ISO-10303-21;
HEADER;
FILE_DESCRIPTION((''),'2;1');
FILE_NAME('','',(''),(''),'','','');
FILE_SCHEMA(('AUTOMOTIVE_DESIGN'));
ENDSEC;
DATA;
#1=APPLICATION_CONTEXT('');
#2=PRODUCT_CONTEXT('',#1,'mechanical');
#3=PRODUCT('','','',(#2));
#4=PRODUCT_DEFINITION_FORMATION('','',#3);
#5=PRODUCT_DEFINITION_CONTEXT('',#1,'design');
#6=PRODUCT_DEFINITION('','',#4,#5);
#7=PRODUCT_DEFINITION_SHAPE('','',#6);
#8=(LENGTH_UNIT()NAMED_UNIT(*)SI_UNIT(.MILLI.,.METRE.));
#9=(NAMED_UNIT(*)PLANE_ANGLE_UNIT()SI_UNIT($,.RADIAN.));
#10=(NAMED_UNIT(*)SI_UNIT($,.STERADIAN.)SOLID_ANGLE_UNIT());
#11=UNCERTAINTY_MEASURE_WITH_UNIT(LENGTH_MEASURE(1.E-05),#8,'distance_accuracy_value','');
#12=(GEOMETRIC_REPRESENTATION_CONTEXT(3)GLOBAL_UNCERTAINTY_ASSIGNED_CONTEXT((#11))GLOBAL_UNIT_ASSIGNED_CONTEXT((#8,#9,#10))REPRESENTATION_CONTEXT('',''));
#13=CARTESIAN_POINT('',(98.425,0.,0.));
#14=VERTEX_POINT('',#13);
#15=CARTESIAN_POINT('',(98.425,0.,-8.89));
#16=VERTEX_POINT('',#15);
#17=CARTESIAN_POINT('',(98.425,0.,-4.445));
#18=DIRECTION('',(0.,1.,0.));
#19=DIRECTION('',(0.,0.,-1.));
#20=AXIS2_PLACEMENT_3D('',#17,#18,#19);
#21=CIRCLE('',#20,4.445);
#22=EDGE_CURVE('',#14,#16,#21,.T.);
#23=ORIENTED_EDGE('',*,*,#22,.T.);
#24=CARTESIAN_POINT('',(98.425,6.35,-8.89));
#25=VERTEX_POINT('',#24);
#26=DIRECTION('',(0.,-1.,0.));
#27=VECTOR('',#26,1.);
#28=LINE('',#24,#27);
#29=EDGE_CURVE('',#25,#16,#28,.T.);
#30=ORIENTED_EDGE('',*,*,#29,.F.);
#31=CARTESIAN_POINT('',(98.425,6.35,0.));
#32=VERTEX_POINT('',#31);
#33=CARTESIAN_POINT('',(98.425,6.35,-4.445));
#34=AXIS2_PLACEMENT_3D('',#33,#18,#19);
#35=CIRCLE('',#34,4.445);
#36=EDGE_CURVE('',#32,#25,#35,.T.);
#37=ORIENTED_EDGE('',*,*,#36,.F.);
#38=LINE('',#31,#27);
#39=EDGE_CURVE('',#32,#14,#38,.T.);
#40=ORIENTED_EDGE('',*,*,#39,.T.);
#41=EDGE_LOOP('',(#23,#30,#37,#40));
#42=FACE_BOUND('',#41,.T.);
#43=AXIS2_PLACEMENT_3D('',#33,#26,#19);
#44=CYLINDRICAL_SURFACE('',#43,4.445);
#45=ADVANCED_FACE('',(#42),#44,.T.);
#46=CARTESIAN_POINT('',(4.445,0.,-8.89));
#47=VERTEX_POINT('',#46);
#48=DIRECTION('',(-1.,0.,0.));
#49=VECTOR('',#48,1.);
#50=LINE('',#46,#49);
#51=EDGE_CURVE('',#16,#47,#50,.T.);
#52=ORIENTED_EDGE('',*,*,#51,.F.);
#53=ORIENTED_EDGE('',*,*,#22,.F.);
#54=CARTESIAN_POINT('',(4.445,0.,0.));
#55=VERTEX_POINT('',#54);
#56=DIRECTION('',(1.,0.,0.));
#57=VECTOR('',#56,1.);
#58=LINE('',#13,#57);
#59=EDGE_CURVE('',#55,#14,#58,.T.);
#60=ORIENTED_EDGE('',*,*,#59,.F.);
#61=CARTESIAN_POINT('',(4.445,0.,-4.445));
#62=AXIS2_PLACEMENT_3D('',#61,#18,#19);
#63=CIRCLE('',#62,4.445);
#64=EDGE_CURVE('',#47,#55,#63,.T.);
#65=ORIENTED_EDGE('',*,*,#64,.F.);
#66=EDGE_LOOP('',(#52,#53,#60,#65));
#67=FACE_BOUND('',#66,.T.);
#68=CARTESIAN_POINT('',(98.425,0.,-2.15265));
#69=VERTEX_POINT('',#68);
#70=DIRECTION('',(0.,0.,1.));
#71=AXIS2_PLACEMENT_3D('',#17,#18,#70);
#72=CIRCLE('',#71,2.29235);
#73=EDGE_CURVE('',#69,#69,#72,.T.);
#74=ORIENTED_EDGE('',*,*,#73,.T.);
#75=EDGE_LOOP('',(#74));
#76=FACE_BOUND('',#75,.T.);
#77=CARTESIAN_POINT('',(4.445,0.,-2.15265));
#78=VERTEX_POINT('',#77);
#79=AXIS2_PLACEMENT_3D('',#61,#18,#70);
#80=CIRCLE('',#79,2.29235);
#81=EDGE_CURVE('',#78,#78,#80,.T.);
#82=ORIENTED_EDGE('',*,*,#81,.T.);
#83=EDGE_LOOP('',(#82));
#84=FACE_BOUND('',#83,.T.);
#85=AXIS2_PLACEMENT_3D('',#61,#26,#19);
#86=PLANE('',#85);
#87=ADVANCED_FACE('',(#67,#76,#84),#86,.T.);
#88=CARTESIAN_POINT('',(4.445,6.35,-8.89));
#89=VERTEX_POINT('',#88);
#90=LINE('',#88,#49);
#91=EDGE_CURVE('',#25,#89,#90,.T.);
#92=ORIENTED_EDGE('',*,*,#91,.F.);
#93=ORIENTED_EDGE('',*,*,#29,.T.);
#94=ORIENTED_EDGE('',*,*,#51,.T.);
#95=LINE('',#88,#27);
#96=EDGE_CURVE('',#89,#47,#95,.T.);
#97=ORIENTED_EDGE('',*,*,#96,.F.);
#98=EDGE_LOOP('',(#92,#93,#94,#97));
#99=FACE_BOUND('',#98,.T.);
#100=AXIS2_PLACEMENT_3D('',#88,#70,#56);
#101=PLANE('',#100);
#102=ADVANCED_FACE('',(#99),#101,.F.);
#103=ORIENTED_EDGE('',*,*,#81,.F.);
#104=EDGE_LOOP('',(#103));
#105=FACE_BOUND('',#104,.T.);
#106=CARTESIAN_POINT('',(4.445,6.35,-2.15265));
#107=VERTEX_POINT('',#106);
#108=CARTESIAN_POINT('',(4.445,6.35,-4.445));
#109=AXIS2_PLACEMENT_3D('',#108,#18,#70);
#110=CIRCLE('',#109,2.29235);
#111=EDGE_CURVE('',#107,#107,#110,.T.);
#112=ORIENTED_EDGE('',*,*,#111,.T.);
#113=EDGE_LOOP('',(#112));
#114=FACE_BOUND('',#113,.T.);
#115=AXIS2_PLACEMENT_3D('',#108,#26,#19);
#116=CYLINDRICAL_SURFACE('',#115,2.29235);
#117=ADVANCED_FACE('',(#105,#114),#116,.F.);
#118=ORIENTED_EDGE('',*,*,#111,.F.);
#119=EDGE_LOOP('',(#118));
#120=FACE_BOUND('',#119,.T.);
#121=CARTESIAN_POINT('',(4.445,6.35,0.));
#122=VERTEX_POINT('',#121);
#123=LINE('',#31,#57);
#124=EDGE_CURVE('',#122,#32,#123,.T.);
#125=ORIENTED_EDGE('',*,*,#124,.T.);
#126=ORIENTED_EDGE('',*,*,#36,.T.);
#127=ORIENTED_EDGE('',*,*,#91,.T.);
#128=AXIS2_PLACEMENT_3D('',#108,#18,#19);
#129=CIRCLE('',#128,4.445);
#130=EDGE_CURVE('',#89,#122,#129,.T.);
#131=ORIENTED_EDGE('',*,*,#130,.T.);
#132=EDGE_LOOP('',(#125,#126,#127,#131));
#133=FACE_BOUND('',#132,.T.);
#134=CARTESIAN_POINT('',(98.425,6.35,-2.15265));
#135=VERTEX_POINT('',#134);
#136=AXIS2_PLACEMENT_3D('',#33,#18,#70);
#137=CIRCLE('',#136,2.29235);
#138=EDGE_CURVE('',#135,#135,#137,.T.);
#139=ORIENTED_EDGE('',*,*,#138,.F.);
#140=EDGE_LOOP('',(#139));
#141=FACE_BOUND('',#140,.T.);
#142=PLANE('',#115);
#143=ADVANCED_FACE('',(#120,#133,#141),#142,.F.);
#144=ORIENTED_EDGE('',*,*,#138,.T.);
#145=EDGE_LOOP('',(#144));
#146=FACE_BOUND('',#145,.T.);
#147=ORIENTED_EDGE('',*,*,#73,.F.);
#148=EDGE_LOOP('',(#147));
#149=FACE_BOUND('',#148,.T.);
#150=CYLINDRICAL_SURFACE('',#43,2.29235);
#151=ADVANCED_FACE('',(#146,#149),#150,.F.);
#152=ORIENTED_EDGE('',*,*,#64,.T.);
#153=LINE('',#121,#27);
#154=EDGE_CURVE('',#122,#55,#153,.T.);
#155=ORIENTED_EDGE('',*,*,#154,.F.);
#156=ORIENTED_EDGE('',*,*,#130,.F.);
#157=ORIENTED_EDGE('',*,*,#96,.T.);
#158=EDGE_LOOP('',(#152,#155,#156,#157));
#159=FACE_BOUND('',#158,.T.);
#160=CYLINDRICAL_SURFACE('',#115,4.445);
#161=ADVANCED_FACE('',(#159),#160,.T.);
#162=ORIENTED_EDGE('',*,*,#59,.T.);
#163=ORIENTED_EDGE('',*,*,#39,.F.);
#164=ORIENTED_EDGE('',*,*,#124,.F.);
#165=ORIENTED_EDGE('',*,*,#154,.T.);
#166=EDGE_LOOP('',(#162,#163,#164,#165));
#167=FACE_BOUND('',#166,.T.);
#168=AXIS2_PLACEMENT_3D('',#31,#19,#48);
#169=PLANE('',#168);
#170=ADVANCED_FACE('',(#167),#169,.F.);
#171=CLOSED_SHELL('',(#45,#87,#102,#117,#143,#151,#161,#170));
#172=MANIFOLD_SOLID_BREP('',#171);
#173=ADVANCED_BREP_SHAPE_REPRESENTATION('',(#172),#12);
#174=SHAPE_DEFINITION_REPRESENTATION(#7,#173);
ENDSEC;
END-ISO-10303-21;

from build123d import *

# Parameters (mm, degrees)
SKETCH1_R           = 2.29235
BOSS_EXTRUDE1_DEPTH = 6.35


with BuildPart() as part:
    # Sketch1 → Boss-Extrude1 (new body)
    with BuildSketch(Plane(origin=(0, 0, 0), x_dir=(1, 0, 0), z_dir=(0, 1, 0))):
        with BuildLine():
            Line((4.445, 8.89), (98.425, 8.89))
            ThreePointArc((98.425, 8.89), (102.87, 4.445), (98.425, 0))
            Line((98.425, 0), (4.445, 0))
            ThreePointArc((4.445, 0), (0, 4.445), (4.445, 8.89))
        make_face()
        with Locations((4.445, 4.445)):
            Circle(SKETCH1_R, mode=Mode.SUBTRACT)
        with Locations((98.425, 4.445)):
            Circle(SKETCH1_R, mode=Mode.SUBTRACT)
    extrude(amount=BOSS_EXTRUDE1_DEPTH)


solid = part.part
